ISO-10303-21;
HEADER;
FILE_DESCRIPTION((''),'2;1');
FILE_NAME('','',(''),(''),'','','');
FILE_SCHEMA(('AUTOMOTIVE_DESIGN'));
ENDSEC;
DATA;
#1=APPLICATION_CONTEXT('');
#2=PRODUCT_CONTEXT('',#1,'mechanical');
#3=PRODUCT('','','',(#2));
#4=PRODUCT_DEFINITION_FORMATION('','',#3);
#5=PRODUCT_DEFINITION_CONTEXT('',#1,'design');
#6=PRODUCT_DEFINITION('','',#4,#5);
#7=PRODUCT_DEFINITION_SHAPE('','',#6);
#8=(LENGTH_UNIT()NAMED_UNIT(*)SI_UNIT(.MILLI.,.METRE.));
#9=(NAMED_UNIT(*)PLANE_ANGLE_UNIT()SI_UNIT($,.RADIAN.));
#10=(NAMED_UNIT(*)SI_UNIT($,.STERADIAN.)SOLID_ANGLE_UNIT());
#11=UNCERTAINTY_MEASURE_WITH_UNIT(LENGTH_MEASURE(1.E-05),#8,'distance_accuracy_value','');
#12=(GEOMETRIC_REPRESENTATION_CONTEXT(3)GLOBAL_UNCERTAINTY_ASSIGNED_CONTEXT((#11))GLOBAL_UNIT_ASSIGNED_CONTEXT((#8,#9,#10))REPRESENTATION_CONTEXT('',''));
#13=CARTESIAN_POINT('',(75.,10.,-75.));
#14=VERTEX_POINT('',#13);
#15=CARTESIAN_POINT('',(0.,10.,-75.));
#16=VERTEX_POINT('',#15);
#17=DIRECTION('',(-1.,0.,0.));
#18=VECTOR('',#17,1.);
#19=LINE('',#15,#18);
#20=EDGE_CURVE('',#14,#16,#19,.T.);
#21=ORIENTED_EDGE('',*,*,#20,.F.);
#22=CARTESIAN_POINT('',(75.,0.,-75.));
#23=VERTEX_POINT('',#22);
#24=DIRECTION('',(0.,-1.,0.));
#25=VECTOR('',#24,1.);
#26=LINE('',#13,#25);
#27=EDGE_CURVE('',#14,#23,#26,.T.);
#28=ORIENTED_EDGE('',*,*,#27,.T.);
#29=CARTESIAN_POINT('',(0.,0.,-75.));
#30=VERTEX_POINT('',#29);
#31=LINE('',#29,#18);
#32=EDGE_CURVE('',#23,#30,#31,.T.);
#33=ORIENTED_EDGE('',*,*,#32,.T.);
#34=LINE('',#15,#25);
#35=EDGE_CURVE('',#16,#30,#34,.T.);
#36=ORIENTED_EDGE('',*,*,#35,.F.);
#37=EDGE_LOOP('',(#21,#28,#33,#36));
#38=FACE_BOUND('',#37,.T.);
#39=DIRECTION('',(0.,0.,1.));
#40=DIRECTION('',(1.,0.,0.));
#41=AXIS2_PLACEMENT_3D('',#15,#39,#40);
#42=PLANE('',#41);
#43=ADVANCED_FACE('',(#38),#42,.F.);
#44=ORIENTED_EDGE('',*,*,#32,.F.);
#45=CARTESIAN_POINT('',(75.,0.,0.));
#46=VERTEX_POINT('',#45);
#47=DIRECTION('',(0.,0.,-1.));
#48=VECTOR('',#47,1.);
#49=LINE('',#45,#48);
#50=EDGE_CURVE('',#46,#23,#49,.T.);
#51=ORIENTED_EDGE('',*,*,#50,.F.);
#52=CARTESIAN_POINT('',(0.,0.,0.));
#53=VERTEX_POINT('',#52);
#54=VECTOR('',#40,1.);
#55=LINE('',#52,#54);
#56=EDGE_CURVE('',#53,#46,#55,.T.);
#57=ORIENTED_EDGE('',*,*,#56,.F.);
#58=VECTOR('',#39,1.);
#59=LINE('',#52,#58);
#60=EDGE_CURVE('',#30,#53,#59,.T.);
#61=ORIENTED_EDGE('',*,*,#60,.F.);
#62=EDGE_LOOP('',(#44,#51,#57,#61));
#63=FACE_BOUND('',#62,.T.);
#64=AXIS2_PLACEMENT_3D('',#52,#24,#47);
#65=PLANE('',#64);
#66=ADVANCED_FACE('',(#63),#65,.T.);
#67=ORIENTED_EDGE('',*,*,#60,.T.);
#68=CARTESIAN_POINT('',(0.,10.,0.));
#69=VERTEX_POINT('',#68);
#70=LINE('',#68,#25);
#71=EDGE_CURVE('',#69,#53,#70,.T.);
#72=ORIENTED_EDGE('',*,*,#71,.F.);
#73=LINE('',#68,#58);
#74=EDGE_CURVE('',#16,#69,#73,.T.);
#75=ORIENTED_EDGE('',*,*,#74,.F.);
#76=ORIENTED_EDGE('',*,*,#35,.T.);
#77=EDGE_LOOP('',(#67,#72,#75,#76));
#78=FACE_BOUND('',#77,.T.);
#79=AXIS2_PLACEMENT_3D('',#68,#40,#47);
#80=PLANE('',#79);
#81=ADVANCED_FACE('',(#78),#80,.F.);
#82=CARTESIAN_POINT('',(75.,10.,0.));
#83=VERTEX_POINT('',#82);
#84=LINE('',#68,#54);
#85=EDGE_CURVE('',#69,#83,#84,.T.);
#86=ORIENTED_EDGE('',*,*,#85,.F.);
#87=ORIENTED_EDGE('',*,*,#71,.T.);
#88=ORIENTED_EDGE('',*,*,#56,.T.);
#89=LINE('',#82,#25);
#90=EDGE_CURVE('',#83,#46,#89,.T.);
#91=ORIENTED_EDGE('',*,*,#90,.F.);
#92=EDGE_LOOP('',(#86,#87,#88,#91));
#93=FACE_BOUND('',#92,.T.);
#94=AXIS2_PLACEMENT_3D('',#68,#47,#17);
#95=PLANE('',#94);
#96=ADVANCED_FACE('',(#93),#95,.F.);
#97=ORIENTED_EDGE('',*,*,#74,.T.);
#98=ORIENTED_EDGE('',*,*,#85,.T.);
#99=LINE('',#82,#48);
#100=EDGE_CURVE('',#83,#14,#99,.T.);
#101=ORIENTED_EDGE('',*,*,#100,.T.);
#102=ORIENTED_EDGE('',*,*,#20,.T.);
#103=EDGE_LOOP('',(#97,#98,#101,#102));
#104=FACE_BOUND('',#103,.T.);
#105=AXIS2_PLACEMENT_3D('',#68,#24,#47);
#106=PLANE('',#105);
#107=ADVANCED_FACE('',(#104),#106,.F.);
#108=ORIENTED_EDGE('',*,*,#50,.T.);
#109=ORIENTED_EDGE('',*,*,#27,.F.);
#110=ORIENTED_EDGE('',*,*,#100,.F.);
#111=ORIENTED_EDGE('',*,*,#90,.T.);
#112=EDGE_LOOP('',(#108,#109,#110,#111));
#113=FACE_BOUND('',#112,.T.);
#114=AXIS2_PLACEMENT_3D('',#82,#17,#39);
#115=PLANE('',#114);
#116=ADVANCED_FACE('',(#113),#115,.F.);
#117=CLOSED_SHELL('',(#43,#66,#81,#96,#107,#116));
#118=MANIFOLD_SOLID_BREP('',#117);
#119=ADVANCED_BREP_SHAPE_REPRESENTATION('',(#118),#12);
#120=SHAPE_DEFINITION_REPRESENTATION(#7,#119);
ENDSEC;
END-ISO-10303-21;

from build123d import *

# Parameters (mm, degrees)
SKETCH1_W           = 75
SKETCH1_H           = 75
BOSS_EXTRUDE1_DEPTH = 10


with BuildPart() as part:
    # Sketch1 → Boss-Extrude1 (new body)
    with BuildSketch(Plane(origin=(0, 0, 0), x_dir=(1, 0, 0), z_dir=(0, 1, 0))):
        with Locations((37.5, 37.5)):
            Rectangle(SKETCH1_W, SKETCH1_H)
    extrude(amount=BOSS_EXTRUDE1_DEPTH)


solid = part.part
